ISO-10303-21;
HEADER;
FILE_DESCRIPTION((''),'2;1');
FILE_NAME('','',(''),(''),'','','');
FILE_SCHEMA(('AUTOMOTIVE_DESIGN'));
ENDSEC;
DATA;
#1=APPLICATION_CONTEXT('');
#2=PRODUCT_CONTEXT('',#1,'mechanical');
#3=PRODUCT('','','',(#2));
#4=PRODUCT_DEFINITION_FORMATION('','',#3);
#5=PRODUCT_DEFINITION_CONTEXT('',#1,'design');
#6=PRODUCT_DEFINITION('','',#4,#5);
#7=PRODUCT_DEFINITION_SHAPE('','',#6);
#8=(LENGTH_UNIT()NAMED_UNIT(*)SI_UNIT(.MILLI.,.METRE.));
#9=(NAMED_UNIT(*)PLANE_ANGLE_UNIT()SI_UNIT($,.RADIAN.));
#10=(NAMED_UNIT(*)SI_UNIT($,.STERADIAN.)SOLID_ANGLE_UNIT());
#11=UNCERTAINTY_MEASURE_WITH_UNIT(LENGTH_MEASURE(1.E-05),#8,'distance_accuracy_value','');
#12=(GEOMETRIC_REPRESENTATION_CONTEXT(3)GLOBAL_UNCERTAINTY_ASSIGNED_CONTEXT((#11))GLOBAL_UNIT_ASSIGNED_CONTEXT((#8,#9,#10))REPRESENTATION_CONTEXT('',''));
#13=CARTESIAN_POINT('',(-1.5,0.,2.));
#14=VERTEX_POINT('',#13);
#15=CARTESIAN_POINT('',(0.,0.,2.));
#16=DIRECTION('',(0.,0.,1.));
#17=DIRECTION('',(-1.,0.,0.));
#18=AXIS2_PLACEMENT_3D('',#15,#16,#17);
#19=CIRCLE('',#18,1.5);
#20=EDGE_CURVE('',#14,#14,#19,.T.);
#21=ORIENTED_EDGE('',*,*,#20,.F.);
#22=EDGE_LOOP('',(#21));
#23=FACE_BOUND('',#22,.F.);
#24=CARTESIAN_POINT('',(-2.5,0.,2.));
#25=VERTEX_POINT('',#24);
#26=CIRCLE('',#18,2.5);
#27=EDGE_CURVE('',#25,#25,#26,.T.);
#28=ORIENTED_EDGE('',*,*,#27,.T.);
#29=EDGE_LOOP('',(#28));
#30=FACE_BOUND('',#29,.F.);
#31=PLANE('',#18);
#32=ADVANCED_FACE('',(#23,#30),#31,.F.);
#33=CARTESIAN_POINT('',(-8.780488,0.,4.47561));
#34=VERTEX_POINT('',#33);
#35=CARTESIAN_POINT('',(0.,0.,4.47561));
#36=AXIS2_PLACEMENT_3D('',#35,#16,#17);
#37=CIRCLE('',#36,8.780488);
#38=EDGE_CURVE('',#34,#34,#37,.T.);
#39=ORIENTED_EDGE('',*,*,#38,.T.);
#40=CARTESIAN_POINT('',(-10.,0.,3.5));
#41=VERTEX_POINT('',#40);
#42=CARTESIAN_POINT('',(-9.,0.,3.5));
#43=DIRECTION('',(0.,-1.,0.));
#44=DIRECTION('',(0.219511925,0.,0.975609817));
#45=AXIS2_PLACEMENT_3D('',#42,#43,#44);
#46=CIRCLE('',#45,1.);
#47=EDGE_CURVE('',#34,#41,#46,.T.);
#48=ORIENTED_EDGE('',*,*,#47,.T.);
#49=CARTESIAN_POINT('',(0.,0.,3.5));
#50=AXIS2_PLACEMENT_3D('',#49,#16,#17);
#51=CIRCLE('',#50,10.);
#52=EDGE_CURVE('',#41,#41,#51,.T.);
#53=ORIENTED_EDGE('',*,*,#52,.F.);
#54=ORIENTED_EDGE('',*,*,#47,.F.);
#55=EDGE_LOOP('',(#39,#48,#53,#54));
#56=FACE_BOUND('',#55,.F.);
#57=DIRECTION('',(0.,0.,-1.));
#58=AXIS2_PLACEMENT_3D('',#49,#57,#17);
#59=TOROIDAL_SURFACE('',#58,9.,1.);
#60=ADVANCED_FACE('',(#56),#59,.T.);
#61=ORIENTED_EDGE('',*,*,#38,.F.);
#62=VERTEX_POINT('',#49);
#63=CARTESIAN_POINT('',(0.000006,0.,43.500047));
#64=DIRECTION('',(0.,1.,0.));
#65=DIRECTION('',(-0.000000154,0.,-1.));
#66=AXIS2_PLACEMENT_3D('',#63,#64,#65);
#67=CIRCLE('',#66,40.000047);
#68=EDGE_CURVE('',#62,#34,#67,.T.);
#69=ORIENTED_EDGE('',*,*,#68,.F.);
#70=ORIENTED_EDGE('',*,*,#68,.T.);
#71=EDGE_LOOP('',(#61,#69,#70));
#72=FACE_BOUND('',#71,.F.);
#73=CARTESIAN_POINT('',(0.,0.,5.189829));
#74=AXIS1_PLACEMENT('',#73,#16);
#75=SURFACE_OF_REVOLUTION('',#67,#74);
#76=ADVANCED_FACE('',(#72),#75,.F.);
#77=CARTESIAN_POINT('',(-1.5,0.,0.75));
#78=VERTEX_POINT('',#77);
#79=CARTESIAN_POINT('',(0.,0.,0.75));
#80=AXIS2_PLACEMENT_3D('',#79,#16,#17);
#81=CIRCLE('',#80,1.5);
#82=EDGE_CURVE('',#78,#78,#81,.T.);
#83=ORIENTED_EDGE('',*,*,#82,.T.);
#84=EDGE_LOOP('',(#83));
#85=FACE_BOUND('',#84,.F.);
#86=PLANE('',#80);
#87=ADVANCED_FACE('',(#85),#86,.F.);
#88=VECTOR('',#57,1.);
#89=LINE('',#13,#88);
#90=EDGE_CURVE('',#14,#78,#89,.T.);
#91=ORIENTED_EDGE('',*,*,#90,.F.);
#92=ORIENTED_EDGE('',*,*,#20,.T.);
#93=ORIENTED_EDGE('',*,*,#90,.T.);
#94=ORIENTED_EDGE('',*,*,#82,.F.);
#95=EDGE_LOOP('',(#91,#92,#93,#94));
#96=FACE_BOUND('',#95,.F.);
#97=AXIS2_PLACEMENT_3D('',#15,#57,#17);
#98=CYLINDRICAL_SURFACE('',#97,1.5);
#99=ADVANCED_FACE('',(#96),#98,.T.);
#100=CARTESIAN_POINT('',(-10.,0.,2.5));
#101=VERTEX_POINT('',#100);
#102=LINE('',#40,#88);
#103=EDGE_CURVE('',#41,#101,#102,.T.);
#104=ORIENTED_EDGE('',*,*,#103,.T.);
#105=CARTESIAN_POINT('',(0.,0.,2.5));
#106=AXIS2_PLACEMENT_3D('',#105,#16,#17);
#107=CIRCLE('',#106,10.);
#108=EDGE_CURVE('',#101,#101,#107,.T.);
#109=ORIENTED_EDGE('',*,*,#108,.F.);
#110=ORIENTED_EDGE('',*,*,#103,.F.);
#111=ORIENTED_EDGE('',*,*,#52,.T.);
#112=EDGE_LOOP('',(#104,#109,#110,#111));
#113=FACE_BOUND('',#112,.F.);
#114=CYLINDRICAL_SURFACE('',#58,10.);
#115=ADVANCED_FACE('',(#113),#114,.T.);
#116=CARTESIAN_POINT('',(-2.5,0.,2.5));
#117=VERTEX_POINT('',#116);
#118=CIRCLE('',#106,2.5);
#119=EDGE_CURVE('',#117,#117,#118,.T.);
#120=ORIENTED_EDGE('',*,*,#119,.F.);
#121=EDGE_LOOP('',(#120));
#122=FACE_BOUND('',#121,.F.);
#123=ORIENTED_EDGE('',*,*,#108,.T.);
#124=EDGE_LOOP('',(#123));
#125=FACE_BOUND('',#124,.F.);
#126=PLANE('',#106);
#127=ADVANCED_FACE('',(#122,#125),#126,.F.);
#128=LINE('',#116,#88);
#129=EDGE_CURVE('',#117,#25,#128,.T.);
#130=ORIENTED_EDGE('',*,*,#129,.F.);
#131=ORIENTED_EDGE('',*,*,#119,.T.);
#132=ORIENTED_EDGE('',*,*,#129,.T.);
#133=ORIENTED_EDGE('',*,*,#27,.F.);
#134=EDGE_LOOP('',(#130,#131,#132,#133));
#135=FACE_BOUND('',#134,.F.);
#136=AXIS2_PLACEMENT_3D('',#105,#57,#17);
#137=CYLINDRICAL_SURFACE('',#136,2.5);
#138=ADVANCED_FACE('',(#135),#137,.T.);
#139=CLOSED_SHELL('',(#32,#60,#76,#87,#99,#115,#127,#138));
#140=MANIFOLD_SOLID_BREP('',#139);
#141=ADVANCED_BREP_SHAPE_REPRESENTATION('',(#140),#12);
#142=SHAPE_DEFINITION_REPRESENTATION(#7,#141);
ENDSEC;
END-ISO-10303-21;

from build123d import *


with BuildPart() as f2:
    # F0 (on Front) → F2 (revolve)
    with BuildSketch(Plane.XZ):
        with BuildLine():
            Line((-10, 2.5), (-3.5, 2.5))
            Line((-3.5, 2.5), (-2.5, 2.5))
            Line((-2.5, 2.5), (-2.5, 2))
            Line((-2.5, 2), (-1.5, 2))
            Line((-1.5, 2), (-1.5, 0.75))
            Line((-1.5, 0.75), (0, 0.75))
            Line((0, 0.75), (0, 3.5))
            ThreePointArc((0, 3.5), (-4.417261, 3.744651), (-8.780488, 4.47561))
            ThreePointArc((-8.780488, 4.47561), (-9.624695, 4.280869), (-10, 3.5))
            Line((-10, 3.5), (-10, 2.5))
        make_face()
    revolve(axis=Axis((0, 0, 5.189829), (0, 0, 1)))


solid = f2.part
